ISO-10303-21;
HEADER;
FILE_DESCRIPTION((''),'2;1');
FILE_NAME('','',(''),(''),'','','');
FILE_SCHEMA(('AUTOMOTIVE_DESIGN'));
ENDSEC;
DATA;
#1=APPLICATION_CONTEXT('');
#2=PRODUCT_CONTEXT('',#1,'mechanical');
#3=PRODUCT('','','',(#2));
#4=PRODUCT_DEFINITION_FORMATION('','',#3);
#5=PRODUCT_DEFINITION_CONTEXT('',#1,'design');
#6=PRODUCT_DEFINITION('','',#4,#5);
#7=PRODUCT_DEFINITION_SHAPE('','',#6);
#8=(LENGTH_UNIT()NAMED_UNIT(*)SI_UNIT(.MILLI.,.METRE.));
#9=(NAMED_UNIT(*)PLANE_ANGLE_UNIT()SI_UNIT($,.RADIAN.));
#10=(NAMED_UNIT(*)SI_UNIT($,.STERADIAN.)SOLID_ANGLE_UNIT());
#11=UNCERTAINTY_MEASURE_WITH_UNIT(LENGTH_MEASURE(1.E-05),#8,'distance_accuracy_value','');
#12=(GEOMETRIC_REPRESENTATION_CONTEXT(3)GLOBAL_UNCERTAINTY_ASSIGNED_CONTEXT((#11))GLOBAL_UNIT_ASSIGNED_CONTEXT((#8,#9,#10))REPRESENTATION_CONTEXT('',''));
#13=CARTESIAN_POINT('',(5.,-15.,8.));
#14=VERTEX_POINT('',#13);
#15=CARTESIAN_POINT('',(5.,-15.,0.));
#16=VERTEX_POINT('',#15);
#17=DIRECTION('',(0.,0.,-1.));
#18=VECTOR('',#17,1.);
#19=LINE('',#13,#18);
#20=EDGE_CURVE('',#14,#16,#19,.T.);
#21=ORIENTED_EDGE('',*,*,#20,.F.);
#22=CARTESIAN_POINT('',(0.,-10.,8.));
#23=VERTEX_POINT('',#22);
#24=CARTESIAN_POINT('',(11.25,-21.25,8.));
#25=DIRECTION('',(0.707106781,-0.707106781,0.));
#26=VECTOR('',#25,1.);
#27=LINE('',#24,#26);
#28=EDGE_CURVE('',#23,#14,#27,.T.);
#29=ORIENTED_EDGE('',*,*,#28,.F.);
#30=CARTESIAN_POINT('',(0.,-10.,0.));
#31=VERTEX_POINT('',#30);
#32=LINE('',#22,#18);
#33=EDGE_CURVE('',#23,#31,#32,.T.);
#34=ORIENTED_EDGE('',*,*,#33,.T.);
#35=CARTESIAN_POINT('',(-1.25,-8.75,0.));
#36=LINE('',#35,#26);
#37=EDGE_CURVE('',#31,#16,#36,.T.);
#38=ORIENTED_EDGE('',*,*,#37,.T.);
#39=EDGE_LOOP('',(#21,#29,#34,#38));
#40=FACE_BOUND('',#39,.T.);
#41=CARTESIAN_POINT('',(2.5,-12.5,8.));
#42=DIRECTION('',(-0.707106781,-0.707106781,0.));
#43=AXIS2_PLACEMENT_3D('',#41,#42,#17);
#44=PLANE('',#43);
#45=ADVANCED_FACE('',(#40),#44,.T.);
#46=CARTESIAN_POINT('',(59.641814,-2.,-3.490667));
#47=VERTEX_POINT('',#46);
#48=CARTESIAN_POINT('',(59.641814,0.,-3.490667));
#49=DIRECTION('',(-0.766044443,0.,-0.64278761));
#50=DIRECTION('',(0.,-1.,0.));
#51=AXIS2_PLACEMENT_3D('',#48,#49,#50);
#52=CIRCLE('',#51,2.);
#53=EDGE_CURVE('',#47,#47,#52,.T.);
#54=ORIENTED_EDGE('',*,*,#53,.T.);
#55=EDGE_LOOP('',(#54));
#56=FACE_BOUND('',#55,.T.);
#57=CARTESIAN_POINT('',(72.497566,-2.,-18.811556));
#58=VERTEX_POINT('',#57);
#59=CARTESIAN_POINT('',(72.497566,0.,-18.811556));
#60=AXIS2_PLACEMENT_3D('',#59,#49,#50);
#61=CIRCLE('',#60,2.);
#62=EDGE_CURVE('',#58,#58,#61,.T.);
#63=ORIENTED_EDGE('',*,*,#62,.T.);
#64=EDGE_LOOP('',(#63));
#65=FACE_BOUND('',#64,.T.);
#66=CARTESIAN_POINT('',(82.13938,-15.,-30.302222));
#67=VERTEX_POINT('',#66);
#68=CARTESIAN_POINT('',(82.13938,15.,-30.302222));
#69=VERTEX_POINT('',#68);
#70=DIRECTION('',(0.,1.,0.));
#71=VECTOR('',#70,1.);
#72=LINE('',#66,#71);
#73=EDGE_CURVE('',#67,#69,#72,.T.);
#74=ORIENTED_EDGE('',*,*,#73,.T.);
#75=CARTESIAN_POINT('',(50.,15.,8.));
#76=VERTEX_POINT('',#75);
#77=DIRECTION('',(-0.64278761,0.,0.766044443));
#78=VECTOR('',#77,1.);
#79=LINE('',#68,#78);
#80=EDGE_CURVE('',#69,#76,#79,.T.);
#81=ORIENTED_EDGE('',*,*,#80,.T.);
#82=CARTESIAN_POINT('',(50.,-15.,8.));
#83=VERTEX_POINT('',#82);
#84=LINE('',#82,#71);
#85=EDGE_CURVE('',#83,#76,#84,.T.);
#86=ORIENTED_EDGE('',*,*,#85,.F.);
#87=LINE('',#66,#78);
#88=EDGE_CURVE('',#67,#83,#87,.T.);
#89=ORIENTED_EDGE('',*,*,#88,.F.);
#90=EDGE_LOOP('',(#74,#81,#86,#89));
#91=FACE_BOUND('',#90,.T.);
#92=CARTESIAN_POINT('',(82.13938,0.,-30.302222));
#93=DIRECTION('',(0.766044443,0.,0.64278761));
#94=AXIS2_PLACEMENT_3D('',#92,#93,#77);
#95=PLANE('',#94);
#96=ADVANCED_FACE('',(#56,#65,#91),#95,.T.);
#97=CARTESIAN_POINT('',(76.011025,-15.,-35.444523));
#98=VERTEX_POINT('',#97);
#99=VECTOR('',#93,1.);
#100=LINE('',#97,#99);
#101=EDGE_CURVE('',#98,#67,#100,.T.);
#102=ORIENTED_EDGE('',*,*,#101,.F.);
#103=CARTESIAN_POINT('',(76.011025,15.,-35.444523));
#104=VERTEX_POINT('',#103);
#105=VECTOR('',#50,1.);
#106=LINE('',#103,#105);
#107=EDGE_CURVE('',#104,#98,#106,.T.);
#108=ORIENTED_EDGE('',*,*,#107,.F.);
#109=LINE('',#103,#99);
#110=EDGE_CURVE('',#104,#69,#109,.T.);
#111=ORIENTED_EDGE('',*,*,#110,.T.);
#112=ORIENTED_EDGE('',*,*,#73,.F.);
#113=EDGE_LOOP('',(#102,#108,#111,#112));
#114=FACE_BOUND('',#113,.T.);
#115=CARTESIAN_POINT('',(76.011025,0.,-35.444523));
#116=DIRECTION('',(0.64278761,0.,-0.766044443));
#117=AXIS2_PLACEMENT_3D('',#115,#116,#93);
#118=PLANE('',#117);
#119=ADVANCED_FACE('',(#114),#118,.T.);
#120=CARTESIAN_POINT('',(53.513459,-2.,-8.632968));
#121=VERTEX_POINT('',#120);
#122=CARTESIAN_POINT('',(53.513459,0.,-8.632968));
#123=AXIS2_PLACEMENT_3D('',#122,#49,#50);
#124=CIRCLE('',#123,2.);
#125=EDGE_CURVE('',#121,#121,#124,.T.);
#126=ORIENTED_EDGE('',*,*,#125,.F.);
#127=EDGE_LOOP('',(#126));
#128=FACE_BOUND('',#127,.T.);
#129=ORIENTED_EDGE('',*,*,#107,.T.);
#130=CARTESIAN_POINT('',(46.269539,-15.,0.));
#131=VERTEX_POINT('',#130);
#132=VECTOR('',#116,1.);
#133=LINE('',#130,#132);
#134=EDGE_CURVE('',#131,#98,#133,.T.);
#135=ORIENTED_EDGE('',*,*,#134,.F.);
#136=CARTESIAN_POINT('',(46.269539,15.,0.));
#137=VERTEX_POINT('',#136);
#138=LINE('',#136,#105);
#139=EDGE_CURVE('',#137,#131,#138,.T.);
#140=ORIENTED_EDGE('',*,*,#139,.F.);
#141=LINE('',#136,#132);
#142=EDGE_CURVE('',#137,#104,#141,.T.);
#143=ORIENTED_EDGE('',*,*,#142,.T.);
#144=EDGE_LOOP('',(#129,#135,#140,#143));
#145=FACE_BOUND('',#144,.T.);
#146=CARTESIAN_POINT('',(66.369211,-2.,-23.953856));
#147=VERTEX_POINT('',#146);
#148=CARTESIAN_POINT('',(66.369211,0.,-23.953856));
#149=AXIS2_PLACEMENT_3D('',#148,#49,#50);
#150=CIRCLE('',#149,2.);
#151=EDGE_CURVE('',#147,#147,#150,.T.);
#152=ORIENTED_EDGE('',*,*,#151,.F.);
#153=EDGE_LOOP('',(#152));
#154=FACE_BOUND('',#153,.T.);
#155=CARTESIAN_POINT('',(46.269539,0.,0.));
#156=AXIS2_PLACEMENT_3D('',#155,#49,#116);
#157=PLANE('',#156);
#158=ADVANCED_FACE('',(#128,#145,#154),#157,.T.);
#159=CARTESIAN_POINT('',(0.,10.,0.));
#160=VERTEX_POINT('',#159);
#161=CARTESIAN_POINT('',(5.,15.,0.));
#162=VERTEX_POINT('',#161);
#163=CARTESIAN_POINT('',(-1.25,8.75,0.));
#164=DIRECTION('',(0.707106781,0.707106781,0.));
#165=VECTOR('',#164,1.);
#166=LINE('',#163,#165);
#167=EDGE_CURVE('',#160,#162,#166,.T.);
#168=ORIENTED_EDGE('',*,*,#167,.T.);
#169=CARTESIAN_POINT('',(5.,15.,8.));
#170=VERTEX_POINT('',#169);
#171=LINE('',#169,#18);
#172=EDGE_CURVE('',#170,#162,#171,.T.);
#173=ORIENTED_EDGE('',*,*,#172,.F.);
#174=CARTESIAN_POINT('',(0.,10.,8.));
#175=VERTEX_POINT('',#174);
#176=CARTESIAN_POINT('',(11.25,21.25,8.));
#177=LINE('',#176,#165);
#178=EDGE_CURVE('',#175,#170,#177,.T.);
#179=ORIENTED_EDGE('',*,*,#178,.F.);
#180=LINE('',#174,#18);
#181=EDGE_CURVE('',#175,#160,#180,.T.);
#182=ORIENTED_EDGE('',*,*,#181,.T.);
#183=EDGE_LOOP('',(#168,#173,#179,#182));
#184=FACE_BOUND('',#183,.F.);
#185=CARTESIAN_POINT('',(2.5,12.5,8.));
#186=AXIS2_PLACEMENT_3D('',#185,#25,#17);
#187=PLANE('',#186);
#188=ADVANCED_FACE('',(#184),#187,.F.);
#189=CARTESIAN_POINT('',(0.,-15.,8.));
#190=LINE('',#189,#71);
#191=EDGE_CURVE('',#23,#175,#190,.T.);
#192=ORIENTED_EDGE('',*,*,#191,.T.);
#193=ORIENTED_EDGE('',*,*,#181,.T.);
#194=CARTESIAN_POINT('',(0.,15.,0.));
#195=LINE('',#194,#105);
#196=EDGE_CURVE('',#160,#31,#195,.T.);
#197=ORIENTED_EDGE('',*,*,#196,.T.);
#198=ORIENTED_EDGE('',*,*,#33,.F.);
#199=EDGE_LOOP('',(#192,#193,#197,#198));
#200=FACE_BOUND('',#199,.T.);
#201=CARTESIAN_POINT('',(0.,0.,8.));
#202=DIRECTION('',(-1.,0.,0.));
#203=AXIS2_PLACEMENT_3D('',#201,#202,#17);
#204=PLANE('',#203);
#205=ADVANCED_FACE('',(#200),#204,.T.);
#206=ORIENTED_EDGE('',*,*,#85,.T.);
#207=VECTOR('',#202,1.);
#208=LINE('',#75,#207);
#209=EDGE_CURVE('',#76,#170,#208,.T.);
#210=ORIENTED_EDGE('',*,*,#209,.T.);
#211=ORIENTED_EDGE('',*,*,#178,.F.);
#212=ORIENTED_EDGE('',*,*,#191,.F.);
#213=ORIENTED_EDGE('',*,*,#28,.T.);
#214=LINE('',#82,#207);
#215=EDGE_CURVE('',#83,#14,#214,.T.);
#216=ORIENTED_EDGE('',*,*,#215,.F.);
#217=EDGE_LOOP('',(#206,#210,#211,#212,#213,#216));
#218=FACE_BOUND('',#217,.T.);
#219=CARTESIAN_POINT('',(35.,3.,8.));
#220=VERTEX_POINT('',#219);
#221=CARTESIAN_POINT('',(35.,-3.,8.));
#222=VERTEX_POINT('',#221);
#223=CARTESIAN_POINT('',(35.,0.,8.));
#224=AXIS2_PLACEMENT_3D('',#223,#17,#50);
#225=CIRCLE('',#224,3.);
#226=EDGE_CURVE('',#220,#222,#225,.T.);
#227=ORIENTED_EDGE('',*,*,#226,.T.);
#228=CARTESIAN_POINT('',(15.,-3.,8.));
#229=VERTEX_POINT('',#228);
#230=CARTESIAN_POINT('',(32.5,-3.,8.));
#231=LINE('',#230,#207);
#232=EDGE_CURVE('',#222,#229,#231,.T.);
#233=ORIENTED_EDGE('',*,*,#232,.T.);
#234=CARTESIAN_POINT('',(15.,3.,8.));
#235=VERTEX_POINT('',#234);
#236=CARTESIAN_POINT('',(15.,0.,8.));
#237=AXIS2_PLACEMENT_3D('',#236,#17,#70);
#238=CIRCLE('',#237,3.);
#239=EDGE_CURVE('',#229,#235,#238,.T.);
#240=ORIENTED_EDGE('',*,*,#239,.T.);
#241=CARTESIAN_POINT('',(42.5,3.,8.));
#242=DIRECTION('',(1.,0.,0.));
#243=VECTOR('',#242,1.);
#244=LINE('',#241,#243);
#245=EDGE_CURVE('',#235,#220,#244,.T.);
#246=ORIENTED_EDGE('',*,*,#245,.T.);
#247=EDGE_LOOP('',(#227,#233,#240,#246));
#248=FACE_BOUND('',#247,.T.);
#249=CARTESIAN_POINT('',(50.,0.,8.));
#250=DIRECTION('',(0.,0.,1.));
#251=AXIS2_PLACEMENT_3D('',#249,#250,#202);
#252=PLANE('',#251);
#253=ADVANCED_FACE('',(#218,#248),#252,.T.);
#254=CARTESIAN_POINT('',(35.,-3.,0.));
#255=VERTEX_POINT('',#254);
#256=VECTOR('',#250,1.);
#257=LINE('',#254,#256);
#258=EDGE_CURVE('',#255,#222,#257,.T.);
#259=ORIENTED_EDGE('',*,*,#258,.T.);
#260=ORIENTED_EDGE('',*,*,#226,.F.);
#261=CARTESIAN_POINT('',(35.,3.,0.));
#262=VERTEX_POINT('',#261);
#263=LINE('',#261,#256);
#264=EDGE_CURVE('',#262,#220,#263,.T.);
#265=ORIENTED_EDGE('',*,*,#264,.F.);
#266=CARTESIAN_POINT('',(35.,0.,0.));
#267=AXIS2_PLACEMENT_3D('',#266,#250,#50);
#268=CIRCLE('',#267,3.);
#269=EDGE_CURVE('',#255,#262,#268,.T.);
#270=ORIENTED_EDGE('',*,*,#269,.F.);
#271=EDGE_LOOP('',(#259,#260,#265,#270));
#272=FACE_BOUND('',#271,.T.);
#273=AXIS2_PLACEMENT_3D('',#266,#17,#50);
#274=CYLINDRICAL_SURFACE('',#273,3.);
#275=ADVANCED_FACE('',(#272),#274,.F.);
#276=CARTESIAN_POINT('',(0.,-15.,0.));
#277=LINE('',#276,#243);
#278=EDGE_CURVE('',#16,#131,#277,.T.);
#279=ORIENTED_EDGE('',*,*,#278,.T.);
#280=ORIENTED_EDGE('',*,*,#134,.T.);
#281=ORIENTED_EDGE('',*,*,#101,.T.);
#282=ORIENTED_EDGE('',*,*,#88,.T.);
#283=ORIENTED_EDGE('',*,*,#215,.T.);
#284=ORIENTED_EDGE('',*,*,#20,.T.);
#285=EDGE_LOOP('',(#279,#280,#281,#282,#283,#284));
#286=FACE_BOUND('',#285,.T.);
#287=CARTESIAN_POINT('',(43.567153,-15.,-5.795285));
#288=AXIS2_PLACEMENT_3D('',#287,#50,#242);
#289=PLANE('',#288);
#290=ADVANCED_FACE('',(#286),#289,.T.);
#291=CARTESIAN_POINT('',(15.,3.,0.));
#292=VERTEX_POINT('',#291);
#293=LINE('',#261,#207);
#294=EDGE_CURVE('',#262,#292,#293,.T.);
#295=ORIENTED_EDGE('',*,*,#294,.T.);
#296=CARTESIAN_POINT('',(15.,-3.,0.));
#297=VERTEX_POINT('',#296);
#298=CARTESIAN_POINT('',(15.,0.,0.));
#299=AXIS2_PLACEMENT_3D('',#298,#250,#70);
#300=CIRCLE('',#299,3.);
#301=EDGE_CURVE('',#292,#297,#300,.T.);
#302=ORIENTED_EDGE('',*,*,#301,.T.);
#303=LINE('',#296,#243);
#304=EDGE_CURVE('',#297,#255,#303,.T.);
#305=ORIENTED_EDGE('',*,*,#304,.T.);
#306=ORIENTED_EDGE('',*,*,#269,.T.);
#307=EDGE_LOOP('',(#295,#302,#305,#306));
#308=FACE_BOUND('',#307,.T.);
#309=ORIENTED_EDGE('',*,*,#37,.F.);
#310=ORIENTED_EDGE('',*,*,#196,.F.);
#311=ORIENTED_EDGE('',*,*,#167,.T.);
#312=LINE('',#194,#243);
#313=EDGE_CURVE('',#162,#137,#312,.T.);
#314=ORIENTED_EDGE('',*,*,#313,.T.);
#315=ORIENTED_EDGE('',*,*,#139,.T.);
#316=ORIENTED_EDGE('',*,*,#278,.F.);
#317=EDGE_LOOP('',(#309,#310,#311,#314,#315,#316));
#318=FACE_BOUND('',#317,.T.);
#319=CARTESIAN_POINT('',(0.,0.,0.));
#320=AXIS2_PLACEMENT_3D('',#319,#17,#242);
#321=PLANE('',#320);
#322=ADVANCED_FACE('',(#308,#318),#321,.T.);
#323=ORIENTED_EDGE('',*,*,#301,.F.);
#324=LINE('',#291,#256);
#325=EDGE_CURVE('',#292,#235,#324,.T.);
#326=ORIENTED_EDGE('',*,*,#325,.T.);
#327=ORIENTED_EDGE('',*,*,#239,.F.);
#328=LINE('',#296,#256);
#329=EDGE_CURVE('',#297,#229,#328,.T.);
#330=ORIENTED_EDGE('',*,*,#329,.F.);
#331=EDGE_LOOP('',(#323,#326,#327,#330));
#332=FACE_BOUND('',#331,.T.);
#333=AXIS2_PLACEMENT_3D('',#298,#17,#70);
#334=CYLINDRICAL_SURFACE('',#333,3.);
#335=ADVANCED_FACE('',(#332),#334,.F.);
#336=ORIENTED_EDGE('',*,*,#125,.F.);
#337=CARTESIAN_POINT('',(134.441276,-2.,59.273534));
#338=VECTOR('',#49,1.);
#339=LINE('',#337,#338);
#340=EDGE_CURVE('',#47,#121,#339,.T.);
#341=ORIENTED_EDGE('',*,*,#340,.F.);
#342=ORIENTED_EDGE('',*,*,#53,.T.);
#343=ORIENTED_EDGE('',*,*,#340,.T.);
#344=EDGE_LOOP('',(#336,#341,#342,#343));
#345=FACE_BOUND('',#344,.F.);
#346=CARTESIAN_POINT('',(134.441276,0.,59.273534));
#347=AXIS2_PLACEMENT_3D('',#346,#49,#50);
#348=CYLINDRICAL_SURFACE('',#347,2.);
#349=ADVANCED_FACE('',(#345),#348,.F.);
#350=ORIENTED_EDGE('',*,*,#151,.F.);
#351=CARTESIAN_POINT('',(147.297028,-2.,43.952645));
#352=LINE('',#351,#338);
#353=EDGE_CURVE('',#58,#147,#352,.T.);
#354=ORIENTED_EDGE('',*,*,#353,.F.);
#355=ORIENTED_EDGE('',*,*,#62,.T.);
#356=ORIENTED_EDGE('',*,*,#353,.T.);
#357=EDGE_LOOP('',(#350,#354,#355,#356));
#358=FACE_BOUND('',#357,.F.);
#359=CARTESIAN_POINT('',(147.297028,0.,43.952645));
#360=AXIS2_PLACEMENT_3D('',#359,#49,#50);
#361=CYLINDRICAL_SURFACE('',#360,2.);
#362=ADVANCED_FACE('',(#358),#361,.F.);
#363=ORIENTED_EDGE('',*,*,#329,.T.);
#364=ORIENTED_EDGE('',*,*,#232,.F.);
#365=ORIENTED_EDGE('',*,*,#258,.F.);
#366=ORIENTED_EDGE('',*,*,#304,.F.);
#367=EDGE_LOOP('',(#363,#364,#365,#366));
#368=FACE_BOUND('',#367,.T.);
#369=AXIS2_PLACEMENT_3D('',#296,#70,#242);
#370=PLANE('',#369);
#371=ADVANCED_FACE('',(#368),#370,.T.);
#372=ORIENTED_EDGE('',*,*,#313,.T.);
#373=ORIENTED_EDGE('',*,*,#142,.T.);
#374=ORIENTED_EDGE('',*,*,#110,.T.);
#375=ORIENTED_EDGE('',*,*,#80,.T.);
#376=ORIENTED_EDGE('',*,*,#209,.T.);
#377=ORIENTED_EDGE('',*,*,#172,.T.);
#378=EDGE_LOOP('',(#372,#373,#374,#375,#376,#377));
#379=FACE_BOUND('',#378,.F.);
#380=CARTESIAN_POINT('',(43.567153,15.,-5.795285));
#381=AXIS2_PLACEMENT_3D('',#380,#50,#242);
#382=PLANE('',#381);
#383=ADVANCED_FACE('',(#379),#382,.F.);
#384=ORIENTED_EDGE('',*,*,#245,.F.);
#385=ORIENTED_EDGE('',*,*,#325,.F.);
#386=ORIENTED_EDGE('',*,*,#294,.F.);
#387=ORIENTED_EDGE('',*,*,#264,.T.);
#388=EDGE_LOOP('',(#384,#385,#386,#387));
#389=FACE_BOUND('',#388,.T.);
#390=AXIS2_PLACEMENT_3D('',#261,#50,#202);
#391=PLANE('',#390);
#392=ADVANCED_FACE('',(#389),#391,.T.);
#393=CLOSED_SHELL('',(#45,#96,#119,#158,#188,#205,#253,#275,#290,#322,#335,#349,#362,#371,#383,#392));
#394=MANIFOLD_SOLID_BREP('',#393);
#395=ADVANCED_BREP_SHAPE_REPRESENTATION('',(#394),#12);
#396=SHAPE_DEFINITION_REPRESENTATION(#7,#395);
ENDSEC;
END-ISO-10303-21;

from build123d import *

# Parameters (mm, degrees)
F1_DEPTH = 15
F3_DEPTH = 8.001
F5_D     = 4
F6_SIZE  = 5


with BuildPart() as f1:
    # F0 (on Front) → F1 (new body, symmetric)
    with BuildSketch(Plane.XZ):
        Polygon((0, 8), (0, 0), (46.2695387348, 0), (76.0110249394, -35.4445230334), (82.1393804843, -30.3022221559), (50, 8), align=None)
    extrude(amount=F1_DEPTH, both=True)

    # F2 (on Top) → F3 (cut, through all)
    with BuildSketch(Plane.XY):
        with BuildLine():
            ThreePointArc((15, 3), (12, 0), (15, -3))
            Line((15, -3), (35, -3))
            ThreePointArc((35, -3), (38, 0), (35, 3))
            Line((35, 3), (15, 3))
        make_face()
    extrude(amount=F3_DEPTH, mode=Mode.SUBTRACT)

    # F5 (through all)
    with Locations(Plane(origin=(33.2804354537, 0, 27.9256011146), x_dir=(0, 1, 0), z_dir=(0.7660444431, 0, 0.6427876097))):
        with Locations((0, -61.0110249394), (0, -41.0110249394)):
            Hole(F5_D / 2)

    # F6
    f6_edges = [f1.edges().sort_by_distance(p)[0] for p in [
        (0, 15, 4),
        (0, -15, 4),
    ]]
    chamfer(f6_edges, length=F6_SIZE)


solid = f1.part
